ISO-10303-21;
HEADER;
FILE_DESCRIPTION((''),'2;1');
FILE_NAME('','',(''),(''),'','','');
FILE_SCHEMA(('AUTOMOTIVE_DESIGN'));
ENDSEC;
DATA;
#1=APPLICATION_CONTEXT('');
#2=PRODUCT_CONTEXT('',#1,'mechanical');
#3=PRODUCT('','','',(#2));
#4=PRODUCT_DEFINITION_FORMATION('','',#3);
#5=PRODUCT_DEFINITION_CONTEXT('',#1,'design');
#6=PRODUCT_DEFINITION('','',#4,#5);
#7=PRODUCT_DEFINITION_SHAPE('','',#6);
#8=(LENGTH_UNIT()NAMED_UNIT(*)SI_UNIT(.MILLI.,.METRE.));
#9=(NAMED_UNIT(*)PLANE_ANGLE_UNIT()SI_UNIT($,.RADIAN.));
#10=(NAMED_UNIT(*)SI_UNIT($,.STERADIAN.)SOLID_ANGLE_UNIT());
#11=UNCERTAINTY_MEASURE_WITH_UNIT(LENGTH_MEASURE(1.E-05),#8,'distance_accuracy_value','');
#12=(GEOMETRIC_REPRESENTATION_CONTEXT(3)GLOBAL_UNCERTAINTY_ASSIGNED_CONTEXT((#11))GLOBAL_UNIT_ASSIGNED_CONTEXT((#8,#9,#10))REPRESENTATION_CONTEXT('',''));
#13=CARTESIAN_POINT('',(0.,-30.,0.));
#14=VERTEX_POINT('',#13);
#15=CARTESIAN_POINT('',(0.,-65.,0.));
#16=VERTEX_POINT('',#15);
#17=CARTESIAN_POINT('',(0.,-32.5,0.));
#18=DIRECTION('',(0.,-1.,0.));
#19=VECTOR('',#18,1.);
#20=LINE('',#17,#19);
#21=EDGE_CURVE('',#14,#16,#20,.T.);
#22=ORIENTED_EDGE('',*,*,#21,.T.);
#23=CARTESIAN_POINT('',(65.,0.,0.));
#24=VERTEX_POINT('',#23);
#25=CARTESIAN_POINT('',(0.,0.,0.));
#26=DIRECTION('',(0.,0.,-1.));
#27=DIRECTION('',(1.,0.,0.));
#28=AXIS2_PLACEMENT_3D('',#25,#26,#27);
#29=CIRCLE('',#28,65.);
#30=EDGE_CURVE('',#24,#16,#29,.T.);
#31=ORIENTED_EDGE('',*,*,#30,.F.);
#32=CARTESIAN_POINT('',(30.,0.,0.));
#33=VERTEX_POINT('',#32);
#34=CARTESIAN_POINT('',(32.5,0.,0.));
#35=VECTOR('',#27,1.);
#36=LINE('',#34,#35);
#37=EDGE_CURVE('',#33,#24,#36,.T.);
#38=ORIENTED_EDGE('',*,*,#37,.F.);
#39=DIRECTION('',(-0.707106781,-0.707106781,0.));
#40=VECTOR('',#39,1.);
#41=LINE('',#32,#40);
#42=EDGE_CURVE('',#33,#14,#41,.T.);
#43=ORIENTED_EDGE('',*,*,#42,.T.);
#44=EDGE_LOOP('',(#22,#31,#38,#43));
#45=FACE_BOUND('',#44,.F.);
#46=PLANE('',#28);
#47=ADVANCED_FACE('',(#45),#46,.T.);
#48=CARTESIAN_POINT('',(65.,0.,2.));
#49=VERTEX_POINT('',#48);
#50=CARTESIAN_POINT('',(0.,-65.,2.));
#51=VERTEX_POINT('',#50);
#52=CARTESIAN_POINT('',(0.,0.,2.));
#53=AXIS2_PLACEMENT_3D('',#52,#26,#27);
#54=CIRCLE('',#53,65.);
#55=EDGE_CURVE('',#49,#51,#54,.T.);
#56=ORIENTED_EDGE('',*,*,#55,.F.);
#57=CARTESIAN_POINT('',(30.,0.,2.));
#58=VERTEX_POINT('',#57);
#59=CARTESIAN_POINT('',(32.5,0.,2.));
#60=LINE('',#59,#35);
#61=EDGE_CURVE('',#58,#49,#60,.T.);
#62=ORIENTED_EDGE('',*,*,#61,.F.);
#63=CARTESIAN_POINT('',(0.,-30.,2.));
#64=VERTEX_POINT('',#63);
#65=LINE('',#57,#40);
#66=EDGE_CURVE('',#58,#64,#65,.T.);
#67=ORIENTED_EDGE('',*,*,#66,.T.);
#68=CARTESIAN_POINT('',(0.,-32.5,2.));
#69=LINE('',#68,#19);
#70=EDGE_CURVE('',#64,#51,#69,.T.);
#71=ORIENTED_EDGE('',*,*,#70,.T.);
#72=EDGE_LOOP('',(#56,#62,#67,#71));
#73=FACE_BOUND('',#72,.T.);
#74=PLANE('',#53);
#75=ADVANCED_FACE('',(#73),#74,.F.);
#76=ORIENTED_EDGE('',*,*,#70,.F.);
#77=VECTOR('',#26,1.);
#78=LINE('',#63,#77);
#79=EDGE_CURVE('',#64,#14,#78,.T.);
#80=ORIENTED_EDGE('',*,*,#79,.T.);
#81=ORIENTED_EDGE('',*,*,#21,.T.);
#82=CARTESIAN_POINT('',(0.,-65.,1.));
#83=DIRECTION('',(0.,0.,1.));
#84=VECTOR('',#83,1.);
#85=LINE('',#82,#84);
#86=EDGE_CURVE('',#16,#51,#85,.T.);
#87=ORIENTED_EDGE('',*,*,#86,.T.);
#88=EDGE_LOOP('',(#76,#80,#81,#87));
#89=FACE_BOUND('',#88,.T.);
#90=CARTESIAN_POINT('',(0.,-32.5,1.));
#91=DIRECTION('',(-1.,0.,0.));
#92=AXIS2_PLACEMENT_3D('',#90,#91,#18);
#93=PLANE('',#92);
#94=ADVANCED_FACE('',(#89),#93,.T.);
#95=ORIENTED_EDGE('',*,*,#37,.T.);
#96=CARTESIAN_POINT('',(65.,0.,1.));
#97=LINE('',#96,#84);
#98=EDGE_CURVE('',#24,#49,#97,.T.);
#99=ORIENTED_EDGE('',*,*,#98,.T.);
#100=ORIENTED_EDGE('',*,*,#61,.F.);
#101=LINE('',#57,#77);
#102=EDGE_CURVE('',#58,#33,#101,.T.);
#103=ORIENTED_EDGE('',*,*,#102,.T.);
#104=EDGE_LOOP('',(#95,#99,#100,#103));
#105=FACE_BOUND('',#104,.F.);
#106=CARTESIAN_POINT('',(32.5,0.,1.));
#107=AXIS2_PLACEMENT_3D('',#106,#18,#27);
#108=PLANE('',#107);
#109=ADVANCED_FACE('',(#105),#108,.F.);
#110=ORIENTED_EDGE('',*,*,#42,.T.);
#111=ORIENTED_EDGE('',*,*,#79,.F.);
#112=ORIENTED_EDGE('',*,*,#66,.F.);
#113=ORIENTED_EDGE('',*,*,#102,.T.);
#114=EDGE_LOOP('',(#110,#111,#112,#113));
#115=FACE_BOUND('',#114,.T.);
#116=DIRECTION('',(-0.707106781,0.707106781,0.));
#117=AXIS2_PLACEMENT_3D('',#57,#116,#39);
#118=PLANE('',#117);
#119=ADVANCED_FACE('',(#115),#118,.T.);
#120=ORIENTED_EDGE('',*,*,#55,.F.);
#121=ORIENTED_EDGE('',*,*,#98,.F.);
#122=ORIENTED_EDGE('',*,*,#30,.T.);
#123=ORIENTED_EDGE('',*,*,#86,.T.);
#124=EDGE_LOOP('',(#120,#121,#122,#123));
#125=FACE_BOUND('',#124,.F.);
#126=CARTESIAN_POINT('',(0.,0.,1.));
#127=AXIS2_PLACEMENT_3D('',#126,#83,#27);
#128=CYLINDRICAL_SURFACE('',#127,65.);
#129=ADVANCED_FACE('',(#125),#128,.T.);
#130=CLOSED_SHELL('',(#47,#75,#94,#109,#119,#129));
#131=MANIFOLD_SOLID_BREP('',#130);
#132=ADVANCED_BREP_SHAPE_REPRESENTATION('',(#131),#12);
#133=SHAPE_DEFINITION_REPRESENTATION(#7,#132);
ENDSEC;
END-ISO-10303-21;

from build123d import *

# Parameters (mm, degrees)
SKETCH_W         = 65
SKETCH_H         = 2
REVOLUTION_ANGLE = -90
POCKET_DEPTH     = 2


with BuildPart() as part:
    # Sketch → Revolution (revolve)
    with BuildSketch(Plane.XZ):
        with Locations((32.5, 1)):
            Rectangle(SKETCH_W, SKETCH_H)
    revolve(axis=Axis((0, 0, 0), (0, 0, 1)), revolution_arc=REVOLUTION_ANGLE)

    # Sketch001 (on Face3 of Revolution) → Pocket (cut)
    with BuildSketch(Plane(origin=(0, 0, 2), x_dir=(-1, 0, 0), z_dir=(0, 0, 1))):
        Polygon((0, 0), (-30, 0), (0, 30), align=None)
    extrude(amount=-POCKET_DEPTH, mode=Mode.SUBTRACT)


solid = part.part
